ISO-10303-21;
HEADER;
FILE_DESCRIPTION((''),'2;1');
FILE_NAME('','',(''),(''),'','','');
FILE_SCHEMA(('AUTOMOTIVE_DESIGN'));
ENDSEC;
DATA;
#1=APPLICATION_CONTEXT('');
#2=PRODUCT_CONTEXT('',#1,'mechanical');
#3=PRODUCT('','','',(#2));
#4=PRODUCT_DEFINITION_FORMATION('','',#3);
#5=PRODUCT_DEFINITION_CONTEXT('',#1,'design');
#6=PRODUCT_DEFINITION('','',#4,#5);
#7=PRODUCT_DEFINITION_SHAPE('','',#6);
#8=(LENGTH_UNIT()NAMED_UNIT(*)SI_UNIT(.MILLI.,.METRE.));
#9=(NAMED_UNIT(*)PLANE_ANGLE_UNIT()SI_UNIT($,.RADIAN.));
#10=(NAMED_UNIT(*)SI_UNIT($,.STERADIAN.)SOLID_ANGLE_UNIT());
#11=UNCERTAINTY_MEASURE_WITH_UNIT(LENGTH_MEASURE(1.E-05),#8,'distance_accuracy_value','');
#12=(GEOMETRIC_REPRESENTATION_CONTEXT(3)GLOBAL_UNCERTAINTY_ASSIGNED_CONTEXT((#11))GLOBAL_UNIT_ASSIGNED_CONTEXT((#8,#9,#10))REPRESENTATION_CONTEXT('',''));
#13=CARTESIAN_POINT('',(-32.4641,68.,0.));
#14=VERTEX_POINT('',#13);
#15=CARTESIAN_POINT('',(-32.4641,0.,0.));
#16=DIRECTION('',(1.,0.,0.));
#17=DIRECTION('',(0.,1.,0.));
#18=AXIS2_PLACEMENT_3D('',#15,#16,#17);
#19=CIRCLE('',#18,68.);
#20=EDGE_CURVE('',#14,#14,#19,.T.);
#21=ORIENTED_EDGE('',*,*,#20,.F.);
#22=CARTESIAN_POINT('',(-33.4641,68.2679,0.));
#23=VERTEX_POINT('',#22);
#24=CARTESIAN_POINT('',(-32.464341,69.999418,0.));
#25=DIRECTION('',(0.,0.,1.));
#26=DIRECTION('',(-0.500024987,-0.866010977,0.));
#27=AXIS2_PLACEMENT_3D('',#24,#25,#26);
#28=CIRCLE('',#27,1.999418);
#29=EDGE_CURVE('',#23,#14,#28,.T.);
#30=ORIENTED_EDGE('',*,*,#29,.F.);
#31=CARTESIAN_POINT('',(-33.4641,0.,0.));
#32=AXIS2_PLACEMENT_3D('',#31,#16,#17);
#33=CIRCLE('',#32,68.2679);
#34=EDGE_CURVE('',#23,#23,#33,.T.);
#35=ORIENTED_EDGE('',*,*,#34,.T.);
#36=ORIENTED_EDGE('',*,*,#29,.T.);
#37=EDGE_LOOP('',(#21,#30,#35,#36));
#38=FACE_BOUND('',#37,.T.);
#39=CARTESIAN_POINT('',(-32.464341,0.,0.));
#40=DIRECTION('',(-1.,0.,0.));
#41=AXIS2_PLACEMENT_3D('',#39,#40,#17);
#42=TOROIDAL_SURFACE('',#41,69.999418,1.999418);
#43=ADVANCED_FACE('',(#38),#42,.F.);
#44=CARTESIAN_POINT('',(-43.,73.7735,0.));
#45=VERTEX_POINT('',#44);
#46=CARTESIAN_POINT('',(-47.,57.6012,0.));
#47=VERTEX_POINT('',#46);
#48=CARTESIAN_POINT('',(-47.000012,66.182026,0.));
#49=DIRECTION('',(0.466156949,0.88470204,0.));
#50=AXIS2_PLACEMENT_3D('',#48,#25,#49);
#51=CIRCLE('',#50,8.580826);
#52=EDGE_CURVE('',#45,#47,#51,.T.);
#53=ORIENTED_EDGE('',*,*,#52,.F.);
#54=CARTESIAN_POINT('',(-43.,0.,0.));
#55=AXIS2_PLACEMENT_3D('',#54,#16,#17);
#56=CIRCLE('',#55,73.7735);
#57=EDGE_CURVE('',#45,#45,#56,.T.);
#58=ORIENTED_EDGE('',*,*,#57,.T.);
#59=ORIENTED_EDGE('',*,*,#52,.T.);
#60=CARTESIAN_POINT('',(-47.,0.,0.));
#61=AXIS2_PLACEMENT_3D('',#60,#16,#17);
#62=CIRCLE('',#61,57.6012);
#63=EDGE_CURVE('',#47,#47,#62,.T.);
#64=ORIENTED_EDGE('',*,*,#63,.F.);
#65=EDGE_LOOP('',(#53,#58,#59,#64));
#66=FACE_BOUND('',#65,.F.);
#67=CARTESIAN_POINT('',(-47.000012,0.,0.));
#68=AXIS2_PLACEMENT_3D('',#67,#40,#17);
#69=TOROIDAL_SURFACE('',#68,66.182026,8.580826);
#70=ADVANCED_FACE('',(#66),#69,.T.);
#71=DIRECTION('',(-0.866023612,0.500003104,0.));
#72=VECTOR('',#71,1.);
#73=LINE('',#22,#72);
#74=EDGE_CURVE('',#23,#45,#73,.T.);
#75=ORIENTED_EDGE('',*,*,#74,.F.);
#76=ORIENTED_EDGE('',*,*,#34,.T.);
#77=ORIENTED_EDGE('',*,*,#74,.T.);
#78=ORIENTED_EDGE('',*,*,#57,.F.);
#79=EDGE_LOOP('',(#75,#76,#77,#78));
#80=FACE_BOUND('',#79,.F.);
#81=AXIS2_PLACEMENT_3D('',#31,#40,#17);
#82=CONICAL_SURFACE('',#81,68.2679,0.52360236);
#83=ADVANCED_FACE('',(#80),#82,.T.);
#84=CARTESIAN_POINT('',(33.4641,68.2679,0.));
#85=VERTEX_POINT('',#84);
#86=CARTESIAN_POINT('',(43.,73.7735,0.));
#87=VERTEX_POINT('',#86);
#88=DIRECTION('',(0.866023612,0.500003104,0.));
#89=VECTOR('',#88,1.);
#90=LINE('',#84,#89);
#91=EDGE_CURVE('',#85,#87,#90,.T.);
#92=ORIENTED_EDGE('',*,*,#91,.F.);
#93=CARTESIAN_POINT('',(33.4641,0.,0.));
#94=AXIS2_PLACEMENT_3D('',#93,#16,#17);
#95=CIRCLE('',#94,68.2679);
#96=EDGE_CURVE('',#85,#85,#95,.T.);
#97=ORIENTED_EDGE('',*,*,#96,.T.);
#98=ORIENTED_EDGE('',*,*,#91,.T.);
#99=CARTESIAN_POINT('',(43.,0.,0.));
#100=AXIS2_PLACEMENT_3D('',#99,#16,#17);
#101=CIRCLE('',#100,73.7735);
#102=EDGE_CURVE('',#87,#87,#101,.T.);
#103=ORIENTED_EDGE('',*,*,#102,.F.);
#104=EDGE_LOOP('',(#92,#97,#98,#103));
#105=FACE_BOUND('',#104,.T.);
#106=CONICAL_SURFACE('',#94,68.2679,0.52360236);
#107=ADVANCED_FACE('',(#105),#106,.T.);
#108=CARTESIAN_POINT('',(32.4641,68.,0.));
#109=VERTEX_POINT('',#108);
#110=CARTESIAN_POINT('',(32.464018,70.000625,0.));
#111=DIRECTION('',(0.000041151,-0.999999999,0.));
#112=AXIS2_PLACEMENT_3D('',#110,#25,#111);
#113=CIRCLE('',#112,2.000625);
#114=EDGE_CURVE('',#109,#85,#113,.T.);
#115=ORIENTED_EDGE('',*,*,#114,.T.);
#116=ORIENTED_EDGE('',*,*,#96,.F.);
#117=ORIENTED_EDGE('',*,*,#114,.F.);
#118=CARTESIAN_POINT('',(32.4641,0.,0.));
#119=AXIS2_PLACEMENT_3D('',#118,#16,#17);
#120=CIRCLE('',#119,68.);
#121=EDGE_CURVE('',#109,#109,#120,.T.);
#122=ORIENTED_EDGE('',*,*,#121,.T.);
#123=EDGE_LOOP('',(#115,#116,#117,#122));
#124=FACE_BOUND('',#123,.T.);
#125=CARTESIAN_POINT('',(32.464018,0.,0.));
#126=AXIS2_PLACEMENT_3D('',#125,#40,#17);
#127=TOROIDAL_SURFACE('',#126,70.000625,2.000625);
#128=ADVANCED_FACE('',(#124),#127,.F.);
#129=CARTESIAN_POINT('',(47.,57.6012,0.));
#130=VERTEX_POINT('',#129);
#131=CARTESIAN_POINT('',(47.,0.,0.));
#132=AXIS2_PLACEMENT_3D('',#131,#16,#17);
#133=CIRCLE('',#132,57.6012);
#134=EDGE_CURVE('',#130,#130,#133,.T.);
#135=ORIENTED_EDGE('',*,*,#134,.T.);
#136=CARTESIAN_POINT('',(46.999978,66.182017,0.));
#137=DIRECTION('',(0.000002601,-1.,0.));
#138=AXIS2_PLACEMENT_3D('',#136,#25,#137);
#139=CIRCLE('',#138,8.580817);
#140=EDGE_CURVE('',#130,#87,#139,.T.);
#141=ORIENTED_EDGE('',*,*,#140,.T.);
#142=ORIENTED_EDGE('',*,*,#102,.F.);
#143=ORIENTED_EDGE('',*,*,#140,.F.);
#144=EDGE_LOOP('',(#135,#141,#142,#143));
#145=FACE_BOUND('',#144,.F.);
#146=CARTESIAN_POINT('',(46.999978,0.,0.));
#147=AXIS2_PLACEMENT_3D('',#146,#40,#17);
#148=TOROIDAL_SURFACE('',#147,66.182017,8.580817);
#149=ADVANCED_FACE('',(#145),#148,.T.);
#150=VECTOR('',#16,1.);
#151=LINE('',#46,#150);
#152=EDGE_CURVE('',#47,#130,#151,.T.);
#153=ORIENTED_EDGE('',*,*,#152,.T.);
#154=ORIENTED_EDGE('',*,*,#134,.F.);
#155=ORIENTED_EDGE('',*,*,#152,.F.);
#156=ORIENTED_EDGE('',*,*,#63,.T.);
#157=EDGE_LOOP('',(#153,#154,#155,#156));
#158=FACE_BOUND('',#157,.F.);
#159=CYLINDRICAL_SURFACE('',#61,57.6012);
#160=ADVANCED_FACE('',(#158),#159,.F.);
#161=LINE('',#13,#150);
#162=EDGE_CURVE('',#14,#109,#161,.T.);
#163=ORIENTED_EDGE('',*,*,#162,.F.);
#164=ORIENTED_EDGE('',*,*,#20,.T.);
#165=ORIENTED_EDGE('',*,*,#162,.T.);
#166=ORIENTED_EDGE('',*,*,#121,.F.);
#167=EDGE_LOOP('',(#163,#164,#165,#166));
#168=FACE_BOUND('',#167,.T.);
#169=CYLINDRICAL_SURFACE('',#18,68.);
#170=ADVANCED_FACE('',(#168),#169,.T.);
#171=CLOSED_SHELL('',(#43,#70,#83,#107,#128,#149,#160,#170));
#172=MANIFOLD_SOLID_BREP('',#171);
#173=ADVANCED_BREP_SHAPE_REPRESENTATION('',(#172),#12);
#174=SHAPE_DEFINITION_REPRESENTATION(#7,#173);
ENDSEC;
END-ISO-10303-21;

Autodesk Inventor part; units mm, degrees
ref_plane "YZ Plane" through (0, 0, 0) normal (1, 0, 0) x (0, 1, 0)
ref_plane "XZ Plane" through (0, 0, 0) normal (0, 1, 0) x (-1, 0, 0)
ref_plane "XY Plane" through (0, 0, 0) normal (0, 0, 1) x (1, 0, 0)
sketch "Эскиз1" plane through (0, 0, 0) normal (0, 0, 1) x (1, 0, 0)
  line L0 (-32.4641, 68) -> (32.4641, 68)
  line L1 (-47, 57.6012) -> (47, 57.6012)
  line L2 (33.4641, 68.2679) -> (43, 73.7735)
  arc A0 (47, 57.6012) -> (43, 73.7735) centre (47, 66.182) ccw
  line L3 (0, 57.6012) -> (0, 68) construction
  line L4 (-33.4641, 68.2679) -> (-43, 73.7735)
  arc A1 (-43, 73.7735) -> (-47, 57.6012) centre (-47, 66.182) ccw
  arc A2 (-33.4641, 68.2679) -> (-32.4641, 68) centre (-32.4641, 70) ccw
  arc A3 (32.4641, 68) -> (33.4641, 68.2679) centre (32.4641, 70) ccw
  line L5 (-80.3461, 0) -> (80.3461, 0) projected
  point P0 (0, 0)
  point P1 (0, 57.6012)
  point P2 (0, 68)
  point P3 (-33, 68)
  point P4 (33, 68)
  point P5 (55.5782, 66.3924)
  dimension "d0" = 66
  dimension "d1" = 94
  dimension "d2" = 30
  dimension "d3" = 10
  dimension "d4" = 2
  dimension "d5" = 2
revolve "Вращение1" add sketch "Эскиз1" angle 360 about axis through (-10, 0, 0) along (1, 0, 0)
properties part number "Обмотка статора" material "Медь"
